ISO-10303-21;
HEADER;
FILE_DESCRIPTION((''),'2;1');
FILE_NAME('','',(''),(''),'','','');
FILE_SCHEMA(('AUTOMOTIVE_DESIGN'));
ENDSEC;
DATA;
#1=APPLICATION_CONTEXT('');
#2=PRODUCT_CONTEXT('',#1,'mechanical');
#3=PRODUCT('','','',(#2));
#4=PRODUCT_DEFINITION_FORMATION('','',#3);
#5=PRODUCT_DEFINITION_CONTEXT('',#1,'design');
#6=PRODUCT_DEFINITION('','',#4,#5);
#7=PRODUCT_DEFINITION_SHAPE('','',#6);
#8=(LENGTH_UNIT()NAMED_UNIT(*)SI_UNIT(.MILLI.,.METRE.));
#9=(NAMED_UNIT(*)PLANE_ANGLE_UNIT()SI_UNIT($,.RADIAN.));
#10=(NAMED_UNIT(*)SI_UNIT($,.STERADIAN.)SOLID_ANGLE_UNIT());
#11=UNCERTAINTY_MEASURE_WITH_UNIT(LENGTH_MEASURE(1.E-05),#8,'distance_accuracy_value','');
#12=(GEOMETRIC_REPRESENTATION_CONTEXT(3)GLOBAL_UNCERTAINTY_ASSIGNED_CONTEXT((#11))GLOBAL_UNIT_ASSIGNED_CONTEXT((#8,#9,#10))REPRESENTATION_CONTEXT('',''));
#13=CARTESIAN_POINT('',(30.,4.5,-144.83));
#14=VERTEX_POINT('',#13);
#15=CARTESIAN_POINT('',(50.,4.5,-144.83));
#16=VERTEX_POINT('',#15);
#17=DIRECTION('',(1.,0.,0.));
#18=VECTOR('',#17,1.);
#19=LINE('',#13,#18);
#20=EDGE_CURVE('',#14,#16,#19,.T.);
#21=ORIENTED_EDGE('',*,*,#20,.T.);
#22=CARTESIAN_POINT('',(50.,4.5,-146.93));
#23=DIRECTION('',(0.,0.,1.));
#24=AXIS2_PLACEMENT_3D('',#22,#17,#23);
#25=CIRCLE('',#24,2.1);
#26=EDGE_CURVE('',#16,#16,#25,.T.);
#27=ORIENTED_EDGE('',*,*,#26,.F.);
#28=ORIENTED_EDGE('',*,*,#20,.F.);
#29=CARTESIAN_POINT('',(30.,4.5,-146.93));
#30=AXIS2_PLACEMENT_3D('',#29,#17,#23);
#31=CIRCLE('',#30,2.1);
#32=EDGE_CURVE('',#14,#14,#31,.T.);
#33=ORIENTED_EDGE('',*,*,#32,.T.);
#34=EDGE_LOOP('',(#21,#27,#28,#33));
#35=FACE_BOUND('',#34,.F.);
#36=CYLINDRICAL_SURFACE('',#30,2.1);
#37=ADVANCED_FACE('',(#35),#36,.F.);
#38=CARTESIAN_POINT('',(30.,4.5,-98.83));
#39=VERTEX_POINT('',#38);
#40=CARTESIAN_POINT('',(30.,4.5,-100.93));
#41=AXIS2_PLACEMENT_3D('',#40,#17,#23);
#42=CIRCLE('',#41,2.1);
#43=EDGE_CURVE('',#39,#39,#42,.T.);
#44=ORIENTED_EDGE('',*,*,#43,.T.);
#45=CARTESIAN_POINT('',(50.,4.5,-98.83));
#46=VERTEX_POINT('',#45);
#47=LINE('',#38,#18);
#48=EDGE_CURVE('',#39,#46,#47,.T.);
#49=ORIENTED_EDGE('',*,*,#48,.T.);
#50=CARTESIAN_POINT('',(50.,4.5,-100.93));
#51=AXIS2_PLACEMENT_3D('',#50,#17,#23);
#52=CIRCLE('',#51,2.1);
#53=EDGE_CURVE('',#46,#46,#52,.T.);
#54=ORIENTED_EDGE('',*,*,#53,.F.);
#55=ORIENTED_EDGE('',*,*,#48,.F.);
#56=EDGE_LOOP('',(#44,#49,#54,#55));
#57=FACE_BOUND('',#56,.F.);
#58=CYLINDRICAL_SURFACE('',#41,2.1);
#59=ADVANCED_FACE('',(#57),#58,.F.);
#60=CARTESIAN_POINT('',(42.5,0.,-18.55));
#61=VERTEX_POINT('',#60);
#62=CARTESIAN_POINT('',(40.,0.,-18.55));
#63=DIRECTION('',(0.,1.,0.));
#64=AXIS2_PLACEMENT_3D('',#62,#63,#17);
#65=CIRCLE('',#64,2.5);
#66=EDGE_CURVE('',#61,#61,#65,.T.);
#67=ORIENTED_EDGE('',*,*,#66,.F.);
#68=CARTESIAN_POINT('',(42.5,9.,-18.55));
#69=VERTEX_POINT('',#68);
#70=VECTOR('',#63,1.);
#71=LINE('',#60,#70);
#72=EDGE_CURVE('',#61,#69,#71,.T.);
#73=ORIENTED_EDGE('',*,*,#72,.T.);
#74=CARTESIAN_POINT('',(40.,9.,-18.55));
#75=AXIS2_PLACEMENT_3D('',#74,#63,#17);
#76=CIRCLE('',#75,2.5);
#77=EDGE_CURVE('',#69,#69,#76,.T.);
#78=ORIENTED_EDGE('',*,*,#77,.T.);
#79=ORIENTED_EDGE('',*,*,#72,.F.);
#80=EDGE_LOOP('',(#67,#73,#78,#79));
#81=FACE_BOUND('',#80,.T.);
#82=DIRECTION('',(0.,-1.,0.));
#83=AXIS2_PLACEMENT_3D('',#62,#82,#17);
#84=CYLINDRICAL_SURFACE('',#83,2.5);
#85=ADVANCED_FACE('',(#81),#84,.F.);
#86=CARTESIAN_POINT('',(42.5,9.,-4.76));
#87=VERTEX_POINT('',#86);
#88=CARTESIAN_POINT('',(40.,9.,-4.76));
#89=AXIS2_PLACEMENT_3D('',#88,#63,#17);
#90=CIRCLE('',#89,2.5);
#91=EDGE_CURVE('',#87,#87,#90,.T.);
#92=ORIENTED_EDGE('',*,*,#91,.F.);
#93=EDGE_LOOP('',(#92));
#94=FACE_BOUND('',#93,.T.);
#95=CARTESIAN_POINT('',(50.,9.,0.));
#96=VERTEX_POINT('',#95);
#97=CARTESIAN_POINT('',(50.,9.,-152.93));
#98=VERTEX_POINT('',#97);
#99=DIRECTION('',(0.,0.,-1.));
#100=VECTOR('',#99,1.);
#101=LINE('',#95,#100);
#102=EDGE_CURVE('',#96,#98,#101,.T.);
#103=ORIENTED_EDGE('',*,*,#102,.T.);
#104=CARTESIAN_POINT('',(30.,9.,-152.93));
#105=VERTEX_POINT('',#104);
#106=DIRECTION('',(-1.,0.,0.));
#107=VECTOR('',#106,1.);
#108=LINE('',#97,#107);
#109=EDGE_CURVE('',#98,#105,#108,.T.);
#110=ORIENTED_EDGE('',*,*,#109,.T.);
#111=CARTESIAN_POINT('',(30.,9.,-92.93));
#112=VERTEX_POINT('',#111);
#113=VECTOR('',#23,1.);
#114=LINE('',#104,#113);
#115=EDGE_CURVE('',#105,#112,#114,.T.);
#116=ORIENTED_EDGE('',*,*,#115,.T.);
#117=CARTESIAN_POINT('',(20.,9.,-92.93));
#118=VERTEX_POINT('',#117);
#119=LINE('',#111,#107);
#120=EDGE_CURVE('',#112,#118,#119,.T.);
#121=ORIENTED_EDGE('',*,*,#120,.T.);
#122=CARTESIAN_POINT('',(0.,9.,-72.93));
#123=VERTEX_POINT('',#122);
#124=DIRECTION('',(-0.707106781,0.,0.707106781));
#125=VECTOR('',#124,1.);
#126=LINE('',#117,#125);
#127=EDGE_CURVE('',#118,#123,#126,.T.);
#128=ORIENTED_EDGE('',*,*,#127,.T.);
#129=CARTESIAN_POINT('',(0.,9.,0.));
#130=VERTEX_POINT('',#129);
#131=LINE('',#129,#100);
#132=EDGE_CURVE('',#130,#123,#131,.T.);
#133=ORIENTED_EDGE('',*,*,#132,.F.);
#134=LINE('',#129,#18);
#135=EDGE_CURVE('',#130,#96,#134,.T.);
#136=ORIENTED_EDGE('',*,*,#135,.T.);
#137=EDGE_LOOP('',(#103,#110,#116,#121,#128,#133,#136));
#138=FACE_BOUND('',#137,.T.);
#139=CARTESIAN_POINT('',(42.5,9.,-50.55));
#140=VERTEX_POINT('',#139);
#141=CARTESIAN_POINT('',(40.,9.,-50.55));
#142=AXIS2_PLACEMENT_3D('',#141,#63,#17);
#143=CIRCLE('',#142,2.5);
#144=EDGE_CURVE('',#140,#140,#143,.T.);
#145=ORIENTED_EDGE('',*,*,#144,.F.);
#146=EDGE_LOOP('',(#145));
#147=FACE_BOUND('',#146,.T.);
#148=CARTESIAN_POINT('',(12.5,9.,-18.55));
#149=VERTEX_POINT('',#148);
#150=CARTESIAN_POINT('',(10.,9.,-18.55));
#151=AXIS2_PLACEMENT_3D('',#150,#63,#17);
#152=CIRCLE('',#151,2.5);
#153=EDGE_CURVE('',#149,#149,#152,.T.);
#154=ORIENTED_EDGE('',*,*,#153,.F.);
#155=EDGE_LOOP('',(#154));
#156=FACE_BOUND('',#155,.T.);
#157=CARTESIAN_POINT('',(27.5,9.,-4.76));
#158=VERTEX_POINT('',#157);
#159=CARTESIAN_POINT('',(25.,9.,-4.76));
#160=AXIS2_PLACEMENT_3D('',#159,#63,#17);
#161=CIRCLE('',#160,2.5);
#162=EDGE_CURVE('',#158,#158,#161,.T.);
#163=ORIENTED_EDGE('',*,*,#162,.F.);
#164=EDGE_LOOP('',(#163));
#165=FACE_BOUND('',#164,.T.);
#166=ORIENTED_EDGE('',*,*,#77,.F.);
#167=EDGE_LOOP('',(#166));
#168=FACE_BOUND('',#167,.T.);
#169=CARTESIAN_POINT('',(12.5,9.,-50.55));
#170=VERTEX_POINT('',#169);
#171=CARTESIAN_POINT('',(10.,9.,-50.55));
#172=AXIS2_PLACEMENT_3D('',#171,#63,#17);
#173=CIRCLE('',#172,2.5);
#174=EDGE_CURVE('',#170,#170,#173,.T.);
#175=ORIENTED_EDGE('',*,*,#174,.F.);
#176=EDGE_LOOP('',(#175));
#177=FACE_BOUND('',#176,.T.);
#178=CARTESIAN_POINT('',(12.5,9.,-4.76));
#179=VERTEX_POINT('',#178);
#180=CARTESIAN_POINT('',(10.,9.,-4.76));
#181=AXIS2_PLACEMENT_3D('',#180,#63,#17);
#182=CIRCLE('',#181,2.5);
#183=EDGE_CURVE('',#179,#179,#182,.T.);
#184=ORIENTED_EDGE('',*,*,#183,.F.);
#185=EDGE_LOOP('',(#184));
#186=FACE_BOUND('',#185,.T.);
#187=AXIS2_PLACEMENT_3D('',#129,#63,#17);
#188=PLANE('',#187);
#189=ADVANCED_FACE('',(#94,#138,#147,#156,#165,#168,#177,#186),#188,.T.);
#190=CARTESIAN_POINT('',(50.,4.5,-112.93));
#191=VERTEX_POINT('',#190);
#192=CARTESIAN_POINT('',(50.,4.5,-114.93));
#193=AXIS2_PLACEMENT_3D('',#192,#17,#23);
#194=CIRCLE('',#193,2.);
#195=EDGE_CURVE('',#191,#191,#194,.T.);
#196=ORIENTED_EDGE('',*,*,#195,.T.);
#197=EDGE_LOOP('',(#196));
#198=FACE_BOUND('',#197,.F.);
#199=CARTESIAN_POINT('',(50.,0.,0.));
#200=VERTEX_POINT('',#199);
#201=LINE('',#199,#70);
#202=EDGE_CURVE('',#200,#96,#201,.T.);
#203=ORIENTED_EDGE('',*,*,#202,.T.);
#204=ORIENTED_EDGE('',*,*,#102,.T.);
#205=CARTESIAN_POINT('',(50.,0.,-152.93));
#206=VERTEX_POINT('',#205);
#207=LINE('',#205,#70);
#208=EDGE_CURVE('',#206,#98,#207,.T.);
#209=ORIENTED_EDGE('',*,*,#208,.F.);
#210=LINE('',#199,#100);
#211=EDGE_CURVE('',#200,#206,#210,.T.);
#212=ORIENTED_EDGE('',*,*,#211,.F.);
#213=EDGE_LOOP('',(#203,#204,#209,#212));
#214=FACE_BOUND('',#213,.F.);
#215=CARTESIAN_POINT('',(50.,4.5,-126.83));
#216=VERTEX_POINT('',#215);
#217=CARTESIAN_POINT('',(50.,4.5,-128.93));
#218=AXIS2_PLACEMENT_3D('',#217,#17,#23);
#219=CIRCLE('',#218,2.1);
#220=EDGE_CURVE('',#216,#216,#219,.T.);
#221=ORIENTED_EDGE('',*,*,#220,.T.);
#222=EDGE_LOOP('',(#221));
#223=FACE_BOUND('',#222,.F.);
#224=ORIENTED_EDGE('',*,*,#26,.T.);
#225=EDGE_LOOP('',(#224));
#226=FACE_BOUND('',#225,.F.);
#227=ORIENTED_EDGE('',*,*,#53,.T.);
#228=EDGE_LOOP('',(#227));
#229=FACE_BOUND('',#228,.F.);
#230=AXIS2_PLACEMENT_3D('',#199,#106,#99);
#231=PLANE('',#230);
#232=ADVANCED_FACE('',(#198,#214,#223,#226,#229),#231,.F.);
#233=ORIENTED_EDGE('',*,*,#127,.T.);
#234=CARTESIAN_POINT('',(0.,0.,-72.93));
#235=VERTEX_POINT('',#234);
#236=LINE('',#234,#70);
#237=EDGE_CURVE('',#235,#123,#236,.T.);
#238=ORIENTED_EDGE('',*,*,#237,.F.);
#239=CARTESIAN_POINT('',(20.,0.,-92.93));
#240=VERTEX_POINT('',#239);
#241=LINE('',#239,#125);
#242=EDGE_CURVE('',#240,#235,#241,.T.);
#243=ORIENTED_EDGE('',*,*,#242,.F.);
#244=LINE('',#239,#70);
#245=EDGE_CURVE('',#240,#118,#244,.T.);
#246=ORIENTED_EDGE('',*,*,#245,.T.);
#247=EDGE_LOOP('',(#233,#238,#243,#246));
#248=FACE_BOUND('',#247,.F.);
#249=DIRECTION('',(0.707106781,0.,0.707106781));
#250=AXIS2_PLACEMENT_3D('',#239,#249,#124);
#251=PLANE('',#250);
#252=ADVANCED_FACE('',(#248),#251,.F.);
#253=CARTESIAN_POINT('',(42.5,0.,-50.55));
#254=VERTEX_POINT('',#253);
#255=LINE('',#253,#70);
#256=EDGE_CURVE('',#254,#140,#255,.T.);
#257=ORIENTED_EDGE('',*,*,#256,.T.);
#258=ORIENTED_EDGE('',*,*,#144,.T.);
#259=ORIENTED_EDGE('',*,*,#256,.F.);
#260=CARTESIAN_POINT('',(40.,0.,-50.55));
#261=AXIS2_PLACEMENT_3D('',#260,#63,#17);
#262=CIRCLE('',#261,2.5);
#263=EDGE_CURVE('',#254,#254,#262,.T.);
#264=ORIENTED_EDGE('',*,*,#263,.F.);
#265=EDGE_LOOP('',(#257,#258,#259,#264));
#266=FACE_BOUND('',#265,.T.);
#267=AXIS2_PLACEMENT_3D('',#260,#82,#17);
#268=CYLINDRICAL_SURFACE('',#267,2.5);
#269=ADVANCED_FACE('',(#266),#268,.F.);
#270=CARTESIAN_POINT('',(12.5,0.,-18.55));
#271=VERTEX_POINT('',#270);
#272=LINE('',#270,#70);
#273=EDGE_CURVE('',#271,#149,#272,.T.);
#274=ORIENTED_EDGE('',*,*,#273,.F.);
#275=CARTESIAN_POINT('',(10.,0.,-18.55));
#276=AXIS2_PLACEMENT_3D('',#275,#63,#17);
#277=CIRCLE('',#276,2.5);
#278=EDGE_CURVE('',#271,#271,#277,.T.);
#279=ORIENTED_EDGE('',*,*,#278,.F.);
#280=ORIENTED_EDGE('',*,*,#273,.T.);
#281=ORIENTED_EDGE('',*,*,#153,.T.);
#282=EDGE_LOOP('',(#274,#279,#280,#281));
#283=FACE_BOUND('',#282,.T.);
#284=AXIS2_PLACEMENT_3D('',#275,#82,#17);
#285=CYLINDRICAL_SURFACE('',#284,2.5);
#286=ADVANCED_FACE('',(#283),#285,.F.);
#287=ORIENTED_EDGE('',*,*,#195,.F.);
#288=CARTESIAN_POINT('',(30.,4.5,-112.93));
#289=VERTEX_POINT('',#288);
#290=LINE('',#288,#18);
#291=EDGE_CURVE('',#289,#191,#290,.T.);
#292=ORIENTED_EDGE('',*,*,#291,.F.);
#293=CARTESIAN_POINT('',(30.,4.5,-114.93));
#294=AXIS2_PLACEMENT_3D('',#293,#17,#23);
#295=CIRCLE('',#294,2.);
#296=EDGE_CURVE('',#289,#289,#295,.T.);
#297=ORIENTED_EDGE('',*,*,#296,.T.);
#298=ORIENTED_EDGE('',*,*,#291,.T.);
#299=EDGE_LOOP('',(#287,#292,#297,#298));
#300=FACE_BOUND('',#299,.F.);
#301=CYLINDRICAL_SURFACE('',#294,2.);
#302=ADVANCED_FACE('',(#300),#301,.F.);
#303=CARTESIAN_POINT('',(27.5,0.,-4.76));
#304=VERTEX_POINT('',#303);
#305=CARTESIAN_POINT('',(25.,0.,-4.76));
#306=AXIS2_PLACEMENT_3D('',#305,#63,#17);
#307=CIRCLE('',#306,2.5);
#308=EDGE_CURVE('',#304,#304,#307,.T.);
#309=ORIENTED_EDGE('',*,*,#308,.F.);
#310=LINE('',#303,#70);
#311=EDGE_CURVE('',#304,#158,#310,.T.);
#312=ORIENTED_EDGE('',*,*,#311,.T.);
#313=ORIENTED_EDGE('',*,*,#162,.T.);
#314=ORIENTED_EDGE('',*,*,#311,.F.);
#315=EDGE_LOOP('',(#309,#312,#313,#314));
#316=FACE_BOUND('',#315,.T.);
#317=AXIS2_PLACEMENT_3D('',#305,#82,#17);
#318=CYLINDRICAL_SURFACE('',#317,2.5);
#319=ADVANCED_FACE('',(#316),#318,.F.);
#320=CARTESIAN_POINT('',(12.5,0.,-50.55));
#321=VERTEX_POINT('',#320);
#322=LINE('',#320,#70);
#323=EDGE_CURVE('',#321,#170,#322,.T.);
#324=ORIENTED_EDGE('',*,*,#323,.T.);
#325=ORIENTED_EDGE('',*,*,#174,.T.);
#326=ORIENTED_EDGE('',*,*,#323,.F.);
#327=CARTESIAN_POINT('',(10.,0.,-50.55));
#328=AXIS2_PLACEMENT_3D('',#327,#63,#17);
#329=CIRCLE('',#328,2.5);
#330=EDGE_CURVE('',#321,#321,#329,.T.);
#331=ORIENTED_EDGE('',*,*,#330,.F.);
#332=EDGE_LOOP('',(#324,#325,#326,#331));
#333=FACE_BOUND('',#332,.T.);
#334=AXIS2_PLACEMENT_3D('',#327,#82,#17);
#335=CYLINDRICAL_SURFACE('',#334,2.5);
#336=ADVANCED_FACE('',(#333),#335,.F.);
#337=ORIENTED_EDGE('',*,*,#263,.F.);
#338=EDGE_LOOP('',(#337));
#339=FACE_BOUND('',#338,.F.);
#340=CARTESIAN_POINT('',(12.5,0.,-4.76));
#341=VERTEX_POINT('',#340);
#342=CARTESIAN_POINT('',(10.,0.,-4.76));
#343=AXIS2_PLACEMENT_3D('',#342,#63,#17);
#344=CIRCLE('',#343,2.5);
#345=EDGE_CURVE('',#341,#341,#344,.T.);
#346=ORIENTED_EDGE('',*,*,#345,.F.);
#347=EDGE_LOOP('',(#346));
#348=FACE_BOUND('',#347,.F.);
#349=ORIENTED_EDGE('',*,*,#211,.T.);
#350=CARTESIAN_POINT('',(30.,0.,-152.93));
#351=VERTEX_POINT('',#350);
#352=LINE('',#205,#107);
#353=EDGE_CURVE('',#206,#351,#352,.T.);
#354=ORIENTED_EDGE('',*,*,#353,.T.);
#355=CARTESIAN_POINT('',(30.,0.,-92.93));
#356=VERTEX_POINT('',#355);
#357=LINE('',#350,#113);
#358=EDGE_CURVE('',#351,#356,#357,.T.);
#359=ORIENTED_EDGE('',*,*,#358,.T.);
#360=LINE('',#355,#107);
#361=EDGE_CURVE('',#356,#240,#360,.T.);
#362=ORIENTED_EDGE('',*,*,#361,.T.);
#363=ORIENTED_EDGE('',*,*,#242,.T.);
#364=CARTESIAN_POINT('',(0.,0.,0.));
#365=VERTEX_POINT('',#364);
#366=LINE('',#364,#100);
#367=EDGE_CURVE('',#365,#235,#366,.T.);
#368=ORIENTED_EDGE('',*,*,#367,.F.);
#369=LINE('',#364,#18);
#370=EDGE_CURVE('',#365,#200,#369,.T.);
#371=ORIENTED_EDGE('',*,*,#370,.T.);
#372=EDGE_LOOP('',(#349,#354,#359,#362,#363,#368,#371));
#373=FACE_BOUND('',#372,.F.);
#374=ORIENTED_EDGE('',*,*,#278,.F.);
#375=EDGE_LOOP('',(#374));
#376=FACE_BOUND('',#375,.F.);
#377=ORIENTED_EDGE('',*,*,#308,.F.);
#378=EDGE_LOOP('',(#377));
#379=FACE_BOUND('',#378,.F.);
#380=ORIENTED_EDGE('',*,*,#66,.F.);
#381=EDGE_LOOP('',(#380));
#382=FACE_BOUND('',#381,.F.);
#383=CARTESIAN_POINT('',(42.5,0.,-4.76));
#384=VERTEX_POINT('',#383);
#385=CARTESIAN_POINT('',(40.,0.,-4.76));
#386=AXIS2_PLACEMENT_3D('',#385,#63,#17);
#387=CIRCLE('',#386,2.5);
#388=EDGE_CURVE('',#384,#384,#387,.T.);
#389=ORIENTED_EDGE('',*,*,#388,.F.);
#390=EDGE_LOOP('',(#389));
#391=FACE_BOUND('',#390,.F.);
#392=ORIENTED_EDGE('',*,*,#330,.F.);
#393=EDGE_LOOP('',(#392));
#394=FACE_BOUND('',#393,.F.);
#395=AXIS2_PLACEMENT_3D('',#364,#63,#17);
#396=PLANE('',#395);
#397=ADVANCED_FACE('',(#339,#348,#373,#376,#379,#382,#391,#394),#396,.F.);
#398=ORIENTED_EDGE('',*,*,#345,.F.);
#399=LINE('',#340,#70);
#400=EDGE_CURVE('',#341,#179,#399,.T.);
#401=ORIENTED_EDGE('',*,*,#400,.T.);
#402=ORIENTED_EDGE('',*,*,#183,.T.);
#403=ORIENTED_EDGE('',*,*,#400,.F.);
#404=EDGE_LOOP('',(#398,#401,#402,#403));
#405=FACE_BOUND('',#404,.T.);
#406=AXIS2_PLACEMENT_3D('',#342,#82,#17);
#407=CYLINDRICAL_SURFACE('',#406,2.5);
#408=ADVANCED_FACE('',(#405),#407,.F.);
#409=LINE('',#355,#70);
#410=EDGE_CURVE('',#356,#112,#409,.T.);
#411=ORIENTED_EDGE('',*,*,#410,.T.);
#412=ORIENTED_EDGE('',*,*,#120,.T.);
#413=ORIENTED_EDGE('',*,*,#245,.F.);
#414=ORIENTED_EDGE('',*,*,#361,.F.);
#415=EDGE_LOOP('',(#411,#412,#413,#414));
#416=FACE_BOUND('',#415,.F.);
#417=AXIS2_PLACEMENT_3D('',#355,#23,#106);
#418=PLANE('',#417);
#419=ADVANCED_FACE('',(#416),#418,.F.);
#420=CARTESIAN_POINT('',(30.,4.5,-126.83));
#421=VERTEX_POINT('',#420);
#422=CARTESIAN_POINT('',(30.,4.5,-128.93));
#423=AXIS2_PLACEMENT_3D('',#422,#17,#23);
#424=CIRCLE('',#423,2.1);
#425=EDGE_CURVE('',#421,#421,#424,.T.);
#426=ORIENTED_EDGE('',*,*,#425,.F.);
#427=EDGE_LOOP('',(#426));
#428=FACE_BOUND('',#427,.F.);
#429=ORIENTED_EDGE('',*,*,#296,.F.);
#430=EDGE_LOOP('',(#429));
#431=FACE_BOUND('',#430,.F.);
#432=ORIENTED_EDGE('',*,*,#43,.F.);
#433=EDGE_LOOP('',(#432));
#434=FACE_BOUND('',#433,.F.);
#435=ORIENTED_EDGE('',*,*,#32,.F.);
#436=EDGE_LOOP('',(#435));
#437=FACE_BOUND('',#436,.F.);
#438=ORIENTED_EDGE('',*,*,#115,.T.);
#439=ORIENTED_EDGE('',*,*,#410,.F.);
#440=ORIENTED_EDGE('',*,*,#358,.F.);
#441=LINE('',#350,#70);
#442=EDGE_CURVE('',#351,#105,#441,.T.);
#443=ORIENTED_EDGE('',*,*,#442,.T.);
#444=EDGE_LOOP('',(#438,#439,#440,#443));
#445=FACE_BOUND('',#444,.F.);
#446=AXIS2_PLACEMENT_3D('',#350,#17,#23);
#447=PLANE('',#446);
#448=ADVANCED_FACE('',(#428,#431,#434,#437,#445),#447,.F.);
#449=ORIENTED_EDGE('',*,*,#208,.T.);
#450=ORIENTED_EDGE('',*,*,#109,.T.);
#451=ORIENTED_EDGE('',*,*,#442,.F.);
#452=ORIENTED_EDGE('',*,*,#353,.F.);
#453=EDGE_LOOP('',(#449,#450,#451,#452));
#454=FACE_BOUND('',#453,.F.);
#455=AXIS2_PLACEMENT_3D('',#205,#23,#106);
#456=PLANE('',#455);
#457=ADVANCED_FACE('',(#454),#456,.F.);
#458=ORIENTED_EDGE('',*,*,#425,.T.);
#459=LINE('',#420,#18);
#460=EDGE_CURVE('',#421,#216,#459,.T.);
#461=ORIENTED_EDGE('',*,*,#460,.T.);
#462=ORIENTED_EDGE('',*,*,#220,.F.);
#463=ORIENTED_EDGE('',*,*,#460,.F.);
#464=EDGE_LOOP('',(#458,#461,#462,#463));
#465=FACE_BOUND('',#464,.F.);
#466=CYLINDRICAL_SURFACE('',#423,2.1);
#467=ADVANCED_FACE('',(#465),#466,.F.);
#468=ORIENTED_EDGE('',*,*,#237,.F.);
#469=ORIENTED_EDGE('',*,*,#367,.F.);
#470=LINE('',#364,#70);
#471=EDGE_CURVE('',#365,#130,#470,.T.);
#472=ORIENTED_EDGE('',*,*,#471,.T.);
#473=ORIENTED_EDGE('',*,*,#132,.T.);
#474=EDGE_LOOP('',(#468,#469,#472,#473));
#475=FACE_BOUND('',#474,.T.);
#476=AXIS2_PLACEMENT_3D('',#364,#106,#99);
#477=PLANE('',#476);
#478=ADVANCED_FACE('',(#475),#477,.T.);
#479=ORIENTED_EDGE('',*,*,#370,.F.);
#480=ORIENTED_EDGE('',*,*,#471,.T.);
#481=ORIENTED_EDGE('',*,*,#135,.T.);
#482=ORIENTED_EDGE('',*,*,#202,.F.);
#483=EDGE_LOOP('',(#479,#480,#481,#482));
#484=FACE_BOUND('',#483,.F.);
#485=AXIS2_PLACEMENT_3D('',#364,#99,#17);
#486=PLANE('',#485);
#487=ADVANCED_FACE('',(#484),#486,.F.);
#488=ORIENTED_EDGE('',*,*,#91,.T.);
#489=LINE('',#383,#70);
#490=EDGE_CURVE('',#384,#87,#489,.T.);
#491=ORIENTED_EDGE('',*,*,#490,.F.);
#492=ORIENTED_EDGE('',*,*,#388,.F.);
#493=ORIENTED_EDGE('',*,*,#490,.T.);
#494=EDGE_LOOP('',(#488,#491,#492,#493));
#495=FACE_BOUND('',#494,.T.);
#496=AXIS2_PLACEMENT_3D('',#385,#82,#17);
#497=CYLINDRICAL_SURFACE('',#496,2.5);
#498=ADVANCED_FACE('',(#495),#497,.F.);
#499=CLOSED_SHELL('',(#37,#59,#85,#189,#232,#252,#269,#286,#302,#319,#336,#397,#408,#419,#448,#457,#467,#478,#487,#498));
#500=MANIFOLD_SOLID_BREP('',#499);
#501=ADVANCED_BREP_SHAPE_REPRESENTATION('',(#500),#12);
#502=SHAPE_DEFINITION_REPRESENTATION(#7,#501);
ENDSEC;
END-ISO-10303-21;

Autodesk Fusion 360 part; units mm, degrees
sketch "Sketch1" plane through (0, 0, 0) normal (0, 1, 0) x (1, 0, 0)
  line L0 (0, 0) -> (50, 0)
  line L1 (50, 0) -> (50, 152.93)
  line L2 (50, 152.93) -> (30, 152.93)
  line L3 (30, 152.93) -> (30, 92.93)
  line L4 (0, 0) -> (0, 72.93)
  line L5 (30, 92.93) -> (20, 92.93)
  line L6 (20, 92.93) -> (0, 72.93)
  circle A0 centre (10, 4.76) radius 2.5
  circle A1 centre (25, 4.76) radius 2.5
  circle A2 centre (40, 4.76) radius 2.5
  line L7 (10, 18.55) -> (40, 18.55) construction
  line L8 (40, 18.55) -> (40, 50.55) construction
  line L9 (40, 50.55) -> (10, 50.55) construction
  line L10 (10, 50.55) -> (10, 18.55) construction
  circle A3 centre (10, 50.55) radius 2.5
  circle A4 centre (40, 50.55) radius 2.5
  circle A5 centre (10, 18.55) radius 2.5
  circle A6 centre (40, 18.55) radius 2.5
  point P0 (10, 50.55)
  dimension "d1" = 50
  dimension "d2" = 152.93
  dimension "d3" = 20
  dimension "d4" = 60
  dimension "d5" = 72.93
  dimension "d6" = 10
  dimension "d16" = 5
  dimension "d17" = 5
  dimension "d18" = 5
  dimension "d19" = 4.76
  dimension "d20" = 10
  dimension "d21" = 4.76
  dimension "d22" = 25
  dimension "d23" = 4.76
  dimension "d24" = 40
  dimension "d33" = 5
  dimension "d34" = 5
  dimension "d35" = 5
  dimension "d36" = 5
  dimension "d37" = 30
  dimension "d38" = 32
  dimension "d39" = 10
  dimension "d40" = 18.55
extrude "Extrude3" add sketch "Sketch1" along normal blind 9
sketch "Sketch4" plane through (30, 0, 0) normal (-1, 0, 0) x (0, 0, 1)
  line L0 (-152.93, 0) -> (-92.93, 0)
  line L1 (-92.93, 0) -> (-92.93, 9)
  line L2 (-92.93, 9) -> (-152.93, 9)
  line L3 (-152.93, 9) -> (-152.93, 0)
  line L4 (-152.93, 4.5) -> (-95, 4.5) construction
  line L5 (-100.93, 9) -> (-100.93, 0) construction
  line L6 (-114.93, 9) -> (-114.93, 0) construction
  line L7 (-128.93, 9) -> (-128.93, 0) construction
  line L8 (-146.93, 9) -> (-146.93, 0) construction
  circle A0 centre (-146.93, 4.5) radius 2.1
  circle A1 centre (-128.93, 4.5) radius 2.1
  circle A2 centre (-114.93, 4.5) radius 2
  circle A3 centre (-100.93, 4.5) radius 2.1
  dimension "d45" = 100.93
  dimension "d46" = 114.93
  dimension "d47" = 128.93
  dimension "d48" = 146.93
  dimension "d49" = 4.2
  dimension "d50" = 4.2
  dimension "d51" = 4
  dimension "d52" = 4.2
hole "Hole2" at (30, 4.5, -146.93) direction (1, 0, 0) diameter 4.2 depth 20 tip angle 118
hole "Hole3" at (30, 4.5, -128.93) direction (1, 0, 0) diameter 4.2 end through all
hole "Hole4" at (30, 4.5, -114.93) direction (1, 0, 0) diameter 4 depth 20 tip angle 118
hole "Hole5" at (30, 4.5, -100.93) direction (1, 0, 0) diameter 4.2 depth 20 tip angle 118
